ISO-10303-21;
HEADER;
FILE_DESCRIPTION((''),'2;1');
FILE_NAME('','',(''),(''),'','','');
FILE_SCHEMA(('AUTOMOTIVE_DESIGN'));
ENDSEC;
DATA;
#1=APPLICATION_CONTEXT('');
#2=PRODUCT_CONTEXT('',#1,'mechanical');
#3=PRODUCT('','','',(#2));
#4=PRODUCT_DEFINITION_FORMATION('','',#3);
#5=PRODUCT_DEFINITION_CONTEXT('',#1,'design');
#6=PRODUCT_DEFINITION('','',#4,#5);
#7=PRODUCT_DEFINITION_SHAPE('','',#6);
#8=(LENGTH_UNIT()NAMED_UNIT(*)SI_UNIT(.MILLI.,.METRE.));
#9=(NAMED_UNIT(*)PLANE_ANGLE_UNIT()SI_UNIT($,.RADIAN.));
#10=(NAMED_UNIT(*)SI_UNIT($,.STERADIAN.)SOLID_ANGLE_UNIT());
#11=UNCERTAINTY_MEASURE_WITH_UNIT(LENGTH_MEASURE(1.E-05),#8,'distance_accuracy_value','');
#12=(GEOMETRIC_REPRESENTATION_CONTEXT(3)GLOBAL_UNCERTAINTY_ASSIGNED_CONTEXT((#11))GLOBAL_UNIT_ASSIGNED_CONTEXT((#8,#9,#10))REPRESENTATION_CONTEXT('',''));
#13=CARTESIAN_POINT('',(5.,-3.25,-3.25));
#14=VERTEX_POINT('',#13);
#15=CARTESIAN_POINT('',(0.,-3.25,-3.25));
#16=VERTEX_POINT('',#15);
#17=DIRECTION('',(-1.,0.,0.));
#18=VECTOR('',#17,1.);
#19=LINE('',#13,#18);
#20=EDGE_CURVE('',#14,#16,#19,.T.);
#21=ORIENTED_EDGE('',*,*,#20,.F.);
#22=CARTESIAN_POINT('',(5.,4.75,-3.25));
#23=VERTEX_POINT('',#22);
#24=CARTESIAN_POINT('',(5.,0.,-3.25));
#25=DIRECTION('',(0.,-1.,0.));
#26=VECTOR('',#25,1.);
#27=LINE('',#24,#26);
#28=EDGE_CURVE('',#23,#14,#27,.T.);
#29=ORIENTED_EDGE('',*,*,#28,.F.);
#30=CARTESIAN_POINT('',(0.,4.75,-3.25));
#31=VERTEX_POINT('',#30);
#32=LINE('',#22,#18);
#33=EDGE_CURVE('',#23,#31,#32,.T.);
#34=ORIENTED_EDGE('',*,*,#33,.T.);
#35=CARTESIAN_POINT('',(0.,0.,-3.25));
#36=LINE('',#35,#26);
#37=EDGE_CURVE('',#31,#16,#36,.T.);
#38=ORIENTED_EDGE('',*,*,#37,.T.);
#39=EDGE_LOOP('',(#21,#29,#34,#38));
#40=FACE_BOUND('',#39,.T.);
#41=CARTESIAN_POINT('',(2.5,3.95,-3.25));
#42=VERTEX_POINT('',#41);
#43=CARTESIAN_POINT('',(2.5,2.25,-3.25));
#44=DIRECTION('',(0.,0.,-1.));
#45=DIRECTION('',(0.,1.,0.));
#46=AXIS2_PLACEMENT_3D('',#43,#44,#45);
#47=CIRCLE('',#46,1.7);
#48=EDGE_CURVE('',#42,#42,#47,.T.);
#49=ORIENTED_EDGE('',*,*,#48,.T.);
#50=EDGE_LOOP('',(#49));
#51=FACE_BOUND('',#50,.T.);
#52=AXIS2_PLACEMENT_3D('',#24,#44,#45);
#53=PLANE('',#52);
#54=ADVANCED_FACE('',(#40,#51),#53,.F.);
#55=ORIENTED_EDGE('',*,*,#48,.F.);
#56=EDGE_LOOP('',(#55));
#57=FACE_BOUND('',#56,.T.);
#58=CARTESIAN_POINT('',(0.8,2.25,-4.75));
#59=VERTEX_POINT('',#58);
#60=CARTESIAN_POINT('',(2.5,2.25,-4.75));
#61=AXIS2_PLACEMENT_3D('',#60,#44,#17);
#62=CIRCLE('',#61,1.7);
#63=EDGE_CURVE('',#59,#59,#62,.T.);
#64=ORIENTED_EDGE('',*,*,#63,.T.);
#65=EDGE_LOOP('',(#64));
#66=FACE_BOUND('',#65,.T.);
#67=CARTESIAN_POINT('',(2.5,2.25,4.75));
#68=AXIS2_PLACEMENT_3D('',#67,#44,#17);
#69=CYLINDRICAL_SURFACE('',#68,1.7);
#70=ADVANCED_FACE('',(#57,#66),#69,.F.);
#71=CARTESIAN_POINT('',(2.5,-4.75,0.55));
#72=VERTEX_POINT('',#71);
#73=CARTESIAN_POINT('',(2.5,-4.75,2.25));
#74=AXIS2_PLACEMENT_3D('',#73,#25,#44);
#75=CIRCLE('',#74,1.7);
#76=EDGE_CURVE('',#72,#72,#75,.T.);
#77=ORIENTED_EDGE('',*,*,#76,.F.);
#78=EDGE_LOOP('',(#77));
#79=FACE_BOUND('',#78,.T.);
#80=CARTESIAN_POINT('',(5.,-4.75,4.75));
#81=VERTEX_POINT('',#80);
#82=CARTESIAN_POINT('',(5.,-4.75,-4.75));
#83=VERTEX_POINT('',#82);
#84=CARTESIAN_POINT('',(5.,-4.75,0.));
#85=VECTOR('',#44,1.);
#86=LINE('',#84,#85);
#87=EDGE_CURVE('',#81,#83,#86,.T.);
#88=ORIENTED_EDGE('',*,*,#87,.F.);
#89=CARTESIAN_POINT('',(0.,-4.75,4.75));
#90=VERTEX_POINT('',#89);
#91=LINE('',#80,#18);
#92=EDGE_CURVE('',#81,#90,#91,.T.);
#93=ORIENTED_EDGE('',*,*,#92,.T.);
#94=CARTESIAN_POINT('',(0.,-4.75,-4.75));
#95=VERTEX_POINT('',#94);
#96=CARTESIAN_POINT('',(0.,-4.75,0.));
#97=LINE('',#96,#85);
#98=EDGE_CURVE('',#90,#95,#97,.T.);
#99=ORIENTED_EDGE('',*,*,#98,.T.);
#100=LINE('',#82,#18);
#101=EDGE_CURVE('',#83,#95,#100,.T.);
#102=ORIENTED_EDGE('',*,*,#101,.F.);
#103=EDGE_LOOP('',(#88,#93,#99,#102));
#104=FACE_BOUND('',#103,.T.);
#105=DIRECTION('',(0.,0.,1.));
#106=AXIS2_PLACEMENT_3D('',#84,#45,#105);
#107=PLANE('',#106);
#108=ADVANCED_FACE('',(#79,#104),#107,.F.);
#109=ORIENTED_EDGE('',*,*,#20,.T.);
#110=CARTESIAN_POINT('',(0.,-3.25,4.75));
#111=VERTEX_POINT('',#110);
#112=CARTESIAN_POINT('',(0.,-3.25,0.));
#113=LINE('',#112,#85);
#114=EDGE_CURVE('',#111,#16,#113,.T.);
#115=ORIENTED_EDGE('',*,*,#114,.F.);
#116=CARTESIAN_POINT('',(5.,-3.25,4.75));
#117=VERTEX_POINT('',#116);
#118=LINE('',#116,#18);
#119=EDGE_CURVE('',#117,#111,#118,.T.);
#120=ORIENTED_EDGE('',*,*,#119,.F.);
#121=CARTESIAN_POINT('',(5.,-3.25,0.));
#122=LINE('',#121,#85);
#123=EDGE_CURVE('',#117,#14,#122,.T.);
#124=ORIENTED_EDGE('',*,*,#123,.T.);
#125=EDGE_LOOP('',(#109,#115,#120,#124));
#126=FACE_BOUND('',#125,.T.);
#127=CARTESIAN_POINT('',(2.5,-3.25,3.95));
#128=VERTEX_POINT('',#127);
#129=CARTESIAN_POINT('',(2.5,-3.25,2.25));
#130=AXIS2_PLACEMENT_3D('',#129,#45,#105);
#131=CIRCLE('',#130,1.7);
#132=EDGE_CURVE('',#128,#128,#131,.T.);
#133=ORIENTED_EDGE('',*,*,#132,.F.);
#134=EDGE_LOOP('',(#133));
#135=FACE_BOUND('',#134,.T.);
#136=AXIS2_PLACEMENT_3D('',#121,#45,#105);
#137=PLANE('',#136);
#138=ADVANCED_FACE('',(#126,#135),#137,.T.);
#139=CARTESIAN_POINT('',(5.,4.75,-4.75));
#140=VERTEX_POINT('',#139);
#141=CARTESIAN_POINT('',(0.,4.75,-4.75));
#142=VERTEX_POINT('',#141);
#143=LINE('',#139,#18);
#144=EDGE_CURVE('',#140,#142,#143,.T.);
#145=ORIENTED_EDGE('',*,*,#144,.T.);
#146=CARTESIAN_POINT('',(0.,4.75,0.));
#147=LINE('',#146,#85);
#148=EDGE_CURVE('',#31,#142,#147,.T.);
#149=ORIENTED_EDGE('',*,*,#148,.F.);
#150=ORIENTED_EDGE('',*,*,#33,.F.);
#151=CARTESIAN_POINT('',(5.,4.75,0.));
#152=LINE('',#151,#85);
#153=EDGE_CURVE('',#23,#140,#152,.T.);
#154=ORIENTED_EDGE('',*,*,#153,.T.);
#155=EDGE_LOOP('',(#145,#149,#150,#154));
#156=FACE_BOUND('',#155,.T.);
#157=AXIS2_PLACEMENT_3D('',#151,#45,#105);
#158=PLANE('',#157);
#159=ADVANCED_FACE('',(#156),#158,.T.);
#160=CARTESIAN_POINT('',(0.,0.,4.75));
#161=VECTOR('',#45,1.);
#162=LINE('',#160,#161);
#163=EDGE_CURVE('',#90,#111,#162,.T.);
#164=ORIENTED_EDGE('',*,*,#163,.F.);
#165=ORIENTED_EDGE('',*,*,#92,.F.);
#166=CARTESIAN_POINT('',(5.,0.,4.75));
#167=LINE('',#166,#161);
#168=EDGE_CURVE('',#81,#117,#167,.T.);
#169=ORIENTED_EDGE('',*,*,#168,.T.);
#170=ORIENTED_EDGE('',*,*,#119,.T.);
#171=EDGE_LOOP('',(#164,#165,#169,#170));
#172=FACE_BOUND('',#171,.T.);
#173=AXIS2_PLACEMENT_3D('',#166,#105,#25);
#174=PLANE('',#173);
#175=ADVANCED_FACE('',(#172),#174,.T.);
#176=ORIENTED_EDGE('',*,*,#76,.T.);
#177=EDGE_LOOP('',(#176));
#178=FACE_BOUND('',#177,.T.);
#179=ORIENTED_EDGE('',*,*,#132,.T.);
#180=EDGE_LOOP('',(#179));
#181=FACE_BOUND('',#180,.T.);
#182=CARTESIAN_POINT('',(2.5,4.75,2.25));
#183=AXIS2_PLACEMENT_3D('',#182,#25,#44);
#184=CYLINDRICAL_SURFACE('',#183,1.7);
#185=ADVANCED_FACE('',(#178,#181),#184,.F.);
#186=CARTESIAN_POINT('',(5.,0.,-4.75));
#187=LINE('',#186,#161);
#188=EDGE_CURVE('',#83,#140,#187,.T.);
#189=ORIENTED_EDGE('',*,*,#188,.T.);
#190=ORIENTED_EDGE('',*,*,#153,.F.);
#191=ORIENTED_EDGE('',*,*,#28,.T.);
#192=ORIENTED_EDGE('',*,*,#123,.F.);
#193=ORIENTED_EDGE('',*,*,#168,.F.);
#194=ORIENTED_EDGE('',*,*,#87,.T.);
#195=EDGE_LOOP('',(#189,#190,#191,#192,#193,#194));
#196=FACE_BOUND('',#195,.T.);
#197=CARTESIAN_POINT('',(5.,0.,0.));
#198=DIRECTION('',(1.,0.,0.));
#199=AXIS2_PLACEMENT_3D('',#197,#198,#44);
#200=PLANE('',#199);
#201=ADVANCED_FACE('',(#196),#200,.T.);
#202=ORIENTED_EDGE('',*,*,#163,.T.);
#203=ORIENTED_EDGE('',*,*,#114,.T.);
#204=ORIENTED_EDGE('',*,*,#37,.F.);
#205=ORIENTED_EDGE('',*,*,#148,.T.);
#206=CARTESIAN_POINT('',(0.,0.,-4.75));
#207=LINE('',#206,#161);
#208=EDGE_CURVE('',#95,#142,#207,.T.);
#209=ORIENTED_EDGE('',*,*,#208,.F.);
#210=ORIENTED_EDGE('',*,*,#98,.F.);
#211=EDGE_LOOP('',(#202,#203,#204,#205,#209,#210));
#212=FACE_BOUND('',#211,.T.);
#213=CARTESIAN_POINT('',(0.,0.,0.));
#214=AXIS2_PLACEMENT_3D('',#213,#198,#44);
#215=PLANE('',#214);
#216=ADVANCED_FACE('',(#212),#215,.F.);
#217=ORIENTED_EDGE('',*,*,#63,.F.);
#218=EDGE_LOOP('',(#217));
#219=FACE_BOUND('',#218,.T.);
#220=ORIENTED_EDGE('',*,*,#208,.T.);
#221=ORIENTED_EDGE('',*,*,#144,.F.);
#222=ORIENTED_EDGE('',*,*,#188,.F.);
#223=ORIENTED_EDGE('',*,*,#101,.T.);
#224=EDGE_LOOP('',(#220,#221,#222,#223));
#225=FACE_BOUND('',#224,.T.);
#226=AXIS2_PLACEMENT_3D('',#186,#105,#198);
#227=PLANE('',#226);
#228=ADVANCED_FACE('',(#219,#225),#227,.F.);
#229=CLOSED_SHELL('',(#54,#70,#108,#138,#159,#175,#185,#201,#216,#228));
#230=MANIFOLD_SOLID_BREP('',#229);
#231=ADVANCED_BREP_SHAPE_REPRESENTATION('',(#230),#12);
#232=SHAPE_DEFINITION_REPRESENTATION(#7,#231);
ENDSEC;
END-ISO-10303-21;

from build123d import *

# Parameters (mm, degrees)
BOSS_EXTRUDE1_DEPTH = 5
SKETCH2_R           = 1.7
CUT_EXTRUDE1_DEPTH  = 12.739356882
SKETCH3_R           = 1.7
CUT_EXTRUDE2_DEPTH  = 12.739356882


with BuildPart() as part:
    # Sketch1 → Boss-Extrude1 (new body)
    with BuildSketch(Plane(origin=(0, 0, 0), x_dir=(0, 0, -1), z_dir=(1, 0, 0))):
        Polygon((-4.75, -3.25), (-4.75, -4.75), (4.75, -4.75), (4.75, 4.75), (3.25, 4.75), (3.25, -3.25), align=None)
    extrude(amount=BOSS_EXTRUDE1_DEPTH)

    # Sketch2 → Cut-Extrude1 (cut, through all)
    with BuildSketch(Plane(origin=(0, 0, -4.75), x_dir=(-1, 0, 0), z_dir=(0, 0, -1))):
        with Locations((-2.5, 2.25)):
            Circle(SKETCH2_R)
    extrude(amount=-CUT_EXTRUDE1_DEPTH, mode=Mode.SUBTRACT)

    # Sketch3 → Cut-Extrude2 (cut, through all)
    with BuildSketch(Plane.XZ.offset(4.75)):
        with Locations(Location((2.5, 2.25, 0), (0, 0, 270))):
            Circle(SKETCH3_R)
    extrude(amount=-CUT_EXTRUDE2_DEPTH, mode=Mode.SUBTRACT)


solid = part.part
